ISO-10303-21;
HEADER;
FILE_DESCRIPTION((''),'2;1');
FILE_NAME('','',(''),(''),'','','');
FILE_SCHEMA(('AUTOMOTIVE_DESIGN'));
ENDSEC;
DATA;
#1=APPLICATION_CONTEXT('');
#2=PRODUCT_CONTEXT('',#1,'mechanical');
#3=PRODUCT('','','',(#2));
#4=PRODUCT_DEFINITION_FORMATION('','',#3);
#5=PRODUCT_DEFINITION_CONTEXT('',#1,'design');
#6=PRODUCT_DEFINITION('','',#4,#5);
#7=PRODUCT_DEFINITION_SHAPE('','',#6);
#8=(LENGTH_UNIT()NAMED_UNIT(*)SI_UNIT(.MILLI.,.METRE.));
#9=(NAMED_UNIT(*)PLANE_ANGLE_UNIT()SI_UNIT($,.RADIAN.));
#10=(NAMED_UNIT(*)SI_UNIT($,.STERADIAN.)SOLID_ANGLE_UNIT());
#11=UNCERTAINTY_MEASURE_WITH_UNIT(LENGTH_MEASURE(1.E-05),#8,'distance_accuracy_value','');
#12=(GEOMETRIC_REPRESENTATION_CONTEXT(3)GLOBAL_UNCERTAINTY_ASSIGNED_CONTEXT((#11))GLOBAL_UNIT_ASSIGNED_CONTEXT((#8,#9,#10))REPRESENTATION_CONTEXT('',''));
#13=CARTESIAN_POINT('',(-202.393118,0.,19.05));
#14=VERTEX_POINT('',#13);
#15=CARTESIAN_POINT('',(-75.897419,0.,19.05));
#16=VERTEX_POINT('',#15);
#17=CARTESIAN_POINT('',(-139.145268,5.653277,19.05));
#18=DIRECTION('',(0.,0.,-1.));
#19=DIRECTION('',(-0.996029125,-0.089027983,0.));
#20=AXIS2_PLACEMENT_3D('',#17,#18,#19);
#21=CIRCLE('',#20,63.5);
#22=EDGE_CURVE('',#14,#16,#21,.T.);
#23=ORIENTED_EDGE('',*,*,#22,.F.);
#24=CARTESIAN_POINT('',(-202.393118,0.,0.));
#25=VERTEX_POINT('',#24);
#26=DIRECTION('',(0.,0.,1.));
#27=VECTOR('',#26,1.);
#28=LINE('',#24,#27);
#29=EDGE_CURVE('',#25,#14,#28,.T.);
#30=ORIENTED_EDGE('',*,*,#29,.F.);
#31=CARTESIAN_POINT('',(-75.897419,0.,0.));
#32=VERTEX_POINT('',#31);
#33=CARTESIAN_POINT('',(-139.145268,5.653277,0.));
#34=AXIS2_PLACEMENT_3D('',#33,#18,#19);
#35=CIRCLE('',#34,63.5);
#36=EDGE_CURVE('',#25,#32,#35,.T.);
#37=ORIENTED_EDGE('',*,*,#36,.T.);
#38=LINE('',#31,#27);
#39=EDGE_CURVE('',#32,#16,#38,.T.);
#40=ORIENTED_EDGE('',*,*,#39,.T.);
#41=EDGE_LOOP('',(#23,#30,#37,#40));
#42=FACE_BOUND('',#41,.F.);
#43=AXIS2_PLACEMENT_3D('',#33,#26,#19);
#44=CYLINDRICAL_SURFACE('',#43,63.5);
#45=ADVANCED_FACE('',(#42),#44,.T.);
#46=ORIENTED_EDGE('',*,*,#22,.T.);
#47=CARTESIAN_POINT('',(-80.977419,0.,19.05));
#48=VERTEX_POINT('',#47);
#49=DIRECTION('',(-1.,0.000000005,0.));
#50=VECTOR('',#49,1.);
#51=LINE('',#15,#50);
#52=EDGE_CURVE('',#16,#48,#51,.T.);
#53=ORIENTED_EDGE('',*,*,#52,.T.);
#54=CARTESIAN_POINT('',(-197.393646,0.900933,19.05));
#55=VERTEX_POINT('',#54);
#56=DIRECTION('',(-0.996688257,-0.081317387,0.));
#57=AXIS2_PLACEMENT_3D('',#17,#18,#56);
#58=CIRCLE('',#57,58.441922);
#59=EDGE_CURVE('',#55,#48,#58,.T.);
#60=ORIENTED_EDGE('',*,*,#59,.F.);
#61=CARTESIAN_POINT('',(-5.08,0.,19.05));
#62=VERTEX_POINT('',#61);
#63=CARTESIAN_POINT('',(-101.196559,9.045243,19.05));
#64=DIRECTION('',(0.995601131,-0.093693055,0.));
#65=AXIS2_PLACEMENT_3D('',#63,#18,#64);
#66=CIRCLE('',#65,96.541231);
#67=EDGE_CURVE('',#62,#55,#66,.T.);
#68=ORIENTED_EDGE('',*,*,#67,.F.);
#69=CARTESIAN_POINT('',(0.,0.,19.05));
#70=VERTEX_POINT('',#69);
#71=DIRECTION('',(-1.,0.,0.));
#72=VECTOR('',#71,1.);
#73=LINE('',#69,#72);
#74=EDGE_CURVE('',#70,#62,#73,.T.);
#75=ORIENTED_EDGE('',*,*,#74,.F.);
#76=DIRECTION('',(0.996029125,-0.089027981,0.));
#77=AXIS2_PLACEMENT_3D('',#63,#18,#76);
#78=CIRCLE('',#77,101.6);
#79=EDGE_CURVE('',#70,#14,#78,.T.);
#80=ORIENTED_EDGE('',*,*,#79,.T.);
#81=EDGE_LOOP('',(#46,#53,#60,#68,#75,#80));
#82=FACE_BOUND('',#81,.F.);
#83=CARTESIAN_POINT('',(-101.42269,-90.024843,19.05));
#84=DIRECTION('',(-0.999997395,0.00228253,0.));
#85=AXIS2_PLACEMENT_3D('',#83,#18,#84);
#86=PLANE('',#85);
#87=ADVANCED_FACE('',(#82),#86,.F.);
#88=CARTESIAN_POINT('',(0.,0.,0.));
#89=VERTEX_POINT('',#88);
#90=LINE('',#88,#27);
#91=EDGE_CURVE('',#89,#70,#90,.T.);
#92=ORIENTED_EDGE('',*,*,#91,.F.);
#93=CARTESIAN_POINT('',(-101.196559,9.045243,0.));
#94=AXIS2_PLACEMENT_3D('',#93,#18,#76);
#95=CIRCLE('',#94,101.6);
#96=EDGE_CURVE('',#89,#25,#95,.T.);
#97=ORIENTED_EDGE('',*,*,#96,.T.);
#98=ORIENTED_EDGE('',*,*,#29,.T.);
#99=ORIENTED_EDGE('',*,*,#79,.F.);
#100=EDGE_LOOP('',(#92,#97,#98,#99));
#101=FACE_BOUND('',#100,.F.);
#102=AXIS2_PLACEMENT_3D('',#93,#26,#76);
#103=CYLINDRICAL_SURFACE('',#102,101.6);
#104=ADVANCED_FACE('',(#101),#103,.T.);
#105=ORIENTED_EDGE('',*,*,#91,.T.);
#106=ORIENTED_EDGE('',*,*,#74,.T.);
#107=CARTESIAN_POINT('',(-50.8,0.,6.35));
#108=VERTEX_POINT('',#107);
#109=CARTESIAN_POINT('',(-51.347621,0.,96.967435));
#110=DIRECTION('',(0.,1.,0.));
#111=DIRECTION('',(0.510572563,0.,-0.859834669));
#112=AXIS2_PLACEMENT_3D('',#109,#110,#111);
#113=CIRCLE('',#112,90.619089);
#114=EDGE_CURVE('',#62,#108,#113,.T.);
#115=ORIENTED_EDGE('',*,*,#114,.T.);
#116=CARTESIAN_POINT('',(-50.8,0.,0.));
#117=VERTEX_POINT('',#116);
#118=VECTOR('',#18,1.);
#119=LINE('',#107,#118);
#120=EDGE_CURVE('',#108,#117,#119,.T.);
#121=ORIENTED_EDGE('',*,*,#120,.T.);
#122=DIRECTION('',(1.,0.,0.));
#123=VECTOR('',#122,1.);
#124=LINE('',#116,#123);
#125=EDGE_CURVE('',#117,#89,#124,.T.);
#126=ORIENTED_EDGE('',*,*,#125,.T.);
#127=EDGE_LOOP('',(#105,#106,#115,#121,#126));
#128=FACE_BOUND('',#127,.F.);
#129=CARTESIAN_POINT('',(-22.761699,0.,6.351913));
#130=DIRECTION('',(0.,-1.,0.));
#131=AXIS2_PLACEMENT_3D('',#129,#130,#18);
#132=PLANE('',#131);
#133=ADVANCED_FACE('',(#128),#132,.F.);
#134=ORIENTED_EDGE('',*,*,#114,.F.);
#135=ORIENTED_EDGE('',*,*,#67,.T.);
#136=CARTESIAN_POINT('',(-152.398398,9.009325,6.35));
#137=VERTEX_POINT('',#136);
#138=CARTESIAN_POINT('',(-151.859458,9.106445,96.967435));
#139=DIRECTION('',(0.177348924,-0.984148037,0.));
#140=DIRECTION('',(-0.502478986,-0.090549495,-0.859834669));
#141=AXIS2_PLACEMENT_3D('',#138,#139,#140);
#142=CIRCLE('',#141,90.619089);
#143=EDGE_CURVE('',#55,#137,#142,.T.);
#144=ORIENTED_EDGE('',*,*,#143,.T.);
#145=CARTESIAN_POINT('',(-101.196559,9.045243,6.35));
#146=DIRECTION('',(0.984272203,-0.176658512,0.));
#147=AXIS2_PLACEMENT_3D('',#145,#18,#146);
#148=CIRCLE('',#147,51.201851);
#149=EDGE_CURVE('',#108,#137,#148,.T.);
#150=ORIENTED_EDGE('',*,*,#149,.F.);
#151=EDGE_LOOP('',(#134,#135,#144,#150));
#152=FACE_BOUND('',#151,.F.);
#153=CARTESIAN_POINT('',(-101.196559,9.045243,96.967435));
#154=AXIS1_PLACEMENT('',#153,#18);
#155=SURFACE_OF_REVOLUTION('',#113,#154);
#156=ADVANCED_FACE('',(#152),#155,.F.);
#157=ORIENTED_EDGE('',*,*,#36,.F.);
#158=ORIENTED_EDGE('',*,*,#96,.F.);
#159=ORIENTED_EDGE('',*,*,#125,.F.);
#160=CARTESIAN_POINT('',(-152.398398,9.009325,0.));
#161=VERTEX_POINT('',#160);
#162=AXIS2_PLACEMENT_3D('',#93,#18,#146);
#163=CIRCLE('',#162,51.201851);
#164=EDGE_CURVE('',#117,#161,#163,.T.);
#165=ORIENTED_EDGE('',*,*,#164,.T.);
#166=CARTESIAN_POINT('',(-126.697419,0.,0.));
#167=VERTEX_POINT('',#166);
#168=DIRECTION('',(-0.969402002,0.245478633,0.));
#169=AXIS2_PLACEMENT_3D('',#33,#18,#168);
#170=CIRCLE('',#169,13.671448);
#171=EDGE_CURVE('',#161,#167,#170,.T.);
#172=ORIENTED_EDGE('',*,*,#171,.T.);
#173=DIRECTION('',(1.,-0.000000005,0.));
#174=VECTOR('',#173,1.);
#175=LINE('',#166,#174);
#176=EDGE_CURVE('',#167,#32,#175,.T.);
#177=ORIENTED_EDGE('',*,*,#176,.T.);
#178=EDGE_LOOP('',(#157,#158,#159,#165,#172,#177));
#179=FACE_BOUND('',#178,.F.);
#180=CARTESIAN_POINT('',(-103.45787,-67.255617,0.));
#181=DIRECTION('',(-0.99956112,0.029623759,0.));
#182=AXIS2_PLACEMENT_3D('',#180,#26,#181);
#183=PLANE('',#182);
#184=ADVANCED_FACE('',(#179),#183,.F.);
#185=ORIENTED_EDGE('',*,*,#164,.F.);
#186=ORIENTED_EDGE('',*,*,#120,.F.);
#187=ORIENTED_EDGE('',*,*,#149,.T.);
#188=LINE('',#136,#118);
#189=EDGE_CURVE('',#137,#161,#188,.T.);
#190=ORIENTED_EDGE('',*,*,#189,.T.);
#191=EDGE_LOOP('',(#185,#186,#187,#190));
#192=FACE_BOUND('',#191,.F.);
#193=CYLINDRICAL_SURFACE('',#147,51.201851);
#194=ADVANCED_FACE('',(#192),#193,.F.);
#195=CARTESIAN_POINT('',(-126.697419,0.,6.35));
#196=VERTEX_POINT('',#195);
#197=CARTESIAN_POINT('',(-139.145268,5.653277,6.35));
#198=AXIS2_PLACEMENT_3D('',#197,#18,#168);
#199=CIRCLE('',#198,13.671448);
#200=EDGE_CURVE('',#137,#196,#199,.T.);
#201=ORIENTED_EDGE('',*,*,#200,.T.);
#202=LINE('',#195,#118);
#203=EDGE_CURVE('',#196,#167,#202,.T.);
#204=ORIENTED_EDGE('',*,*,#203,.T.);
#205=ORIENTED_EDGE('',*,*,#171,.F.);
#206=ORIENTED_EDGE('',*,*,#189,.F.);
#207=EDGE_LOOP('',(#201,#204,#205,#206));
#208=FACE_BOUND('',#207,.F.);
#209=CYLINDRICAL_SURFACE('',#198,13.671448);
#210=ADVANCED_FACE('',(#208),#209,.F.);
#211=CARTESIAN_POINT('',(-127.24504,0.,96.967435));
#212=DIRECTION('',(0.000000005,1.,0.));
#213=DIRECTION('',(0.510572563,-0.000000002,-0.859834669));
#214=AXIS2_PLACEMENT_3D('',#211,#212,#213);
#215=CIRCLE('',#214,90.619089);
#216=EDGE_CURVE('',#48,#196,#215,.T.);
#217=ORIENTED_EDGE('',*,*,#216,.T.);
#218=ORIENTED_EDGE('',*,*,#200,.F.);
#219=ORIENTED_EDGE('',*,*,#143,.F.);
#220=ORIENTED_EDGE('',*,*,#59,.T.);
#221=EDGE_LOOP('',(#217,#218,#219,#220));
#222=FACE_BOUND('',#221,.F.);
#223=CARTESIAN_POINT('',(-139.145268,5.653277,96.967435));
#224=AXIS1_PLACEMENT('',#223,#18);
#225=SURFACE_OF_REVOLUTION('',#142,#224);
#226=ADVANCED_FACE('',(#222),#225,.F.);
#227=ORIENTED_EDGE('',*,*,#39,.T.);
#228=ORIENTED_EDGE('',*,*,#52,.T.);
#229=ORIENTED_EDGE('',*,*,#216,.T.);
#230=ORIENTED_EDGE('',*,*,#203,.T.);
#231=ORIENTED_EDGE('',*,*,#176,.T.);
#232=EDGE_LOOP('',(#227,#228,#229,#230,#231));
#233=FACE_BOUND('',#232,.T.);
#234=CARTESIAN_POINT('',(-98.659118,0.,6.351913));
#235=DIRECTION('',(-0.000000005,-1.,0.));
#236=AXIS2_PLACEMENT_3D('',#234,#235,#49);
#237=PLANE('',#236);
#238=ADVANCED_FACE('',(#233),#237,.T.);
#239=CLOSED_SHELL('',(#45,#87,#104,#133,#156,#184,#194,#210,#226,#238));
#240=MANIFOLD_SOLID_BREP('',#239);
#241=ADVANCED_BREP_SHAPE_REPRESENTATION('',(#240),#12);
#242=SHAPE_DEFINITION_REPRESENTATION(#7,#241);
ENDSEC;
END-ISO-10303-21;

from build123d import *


with BuildPart() as f2:
    # F2: sweep along a path in F1
    with BuildLine(Plane.XY) as f2_path:
        ThreePointArc((0, 0), (-101.196559, -92.554757), (-202.393118, 0))
        ThreePointArc((-202.393118, 0), (-139.145269, 69.153277), (-75.897419, 0))
    # F0 (on Front) → F2 (sweep)
    with BuildSketch(Plane.XZ):
        with BuildLine():
            Line((-50.8, 0), (0, 0))
            Line((0, 0), (0, 19.05))
            Line((0, 19.05), (-5.08, 19.05))
            ThreePointArc((-5.08, 19.05), (-27.093978, 9.654319), (-50.8, 6.35))
            Line((-50.8, 6.35), (-50.8, 0))
        make_face()
    sweep(path=f2_path.line)


solid = f2.part
